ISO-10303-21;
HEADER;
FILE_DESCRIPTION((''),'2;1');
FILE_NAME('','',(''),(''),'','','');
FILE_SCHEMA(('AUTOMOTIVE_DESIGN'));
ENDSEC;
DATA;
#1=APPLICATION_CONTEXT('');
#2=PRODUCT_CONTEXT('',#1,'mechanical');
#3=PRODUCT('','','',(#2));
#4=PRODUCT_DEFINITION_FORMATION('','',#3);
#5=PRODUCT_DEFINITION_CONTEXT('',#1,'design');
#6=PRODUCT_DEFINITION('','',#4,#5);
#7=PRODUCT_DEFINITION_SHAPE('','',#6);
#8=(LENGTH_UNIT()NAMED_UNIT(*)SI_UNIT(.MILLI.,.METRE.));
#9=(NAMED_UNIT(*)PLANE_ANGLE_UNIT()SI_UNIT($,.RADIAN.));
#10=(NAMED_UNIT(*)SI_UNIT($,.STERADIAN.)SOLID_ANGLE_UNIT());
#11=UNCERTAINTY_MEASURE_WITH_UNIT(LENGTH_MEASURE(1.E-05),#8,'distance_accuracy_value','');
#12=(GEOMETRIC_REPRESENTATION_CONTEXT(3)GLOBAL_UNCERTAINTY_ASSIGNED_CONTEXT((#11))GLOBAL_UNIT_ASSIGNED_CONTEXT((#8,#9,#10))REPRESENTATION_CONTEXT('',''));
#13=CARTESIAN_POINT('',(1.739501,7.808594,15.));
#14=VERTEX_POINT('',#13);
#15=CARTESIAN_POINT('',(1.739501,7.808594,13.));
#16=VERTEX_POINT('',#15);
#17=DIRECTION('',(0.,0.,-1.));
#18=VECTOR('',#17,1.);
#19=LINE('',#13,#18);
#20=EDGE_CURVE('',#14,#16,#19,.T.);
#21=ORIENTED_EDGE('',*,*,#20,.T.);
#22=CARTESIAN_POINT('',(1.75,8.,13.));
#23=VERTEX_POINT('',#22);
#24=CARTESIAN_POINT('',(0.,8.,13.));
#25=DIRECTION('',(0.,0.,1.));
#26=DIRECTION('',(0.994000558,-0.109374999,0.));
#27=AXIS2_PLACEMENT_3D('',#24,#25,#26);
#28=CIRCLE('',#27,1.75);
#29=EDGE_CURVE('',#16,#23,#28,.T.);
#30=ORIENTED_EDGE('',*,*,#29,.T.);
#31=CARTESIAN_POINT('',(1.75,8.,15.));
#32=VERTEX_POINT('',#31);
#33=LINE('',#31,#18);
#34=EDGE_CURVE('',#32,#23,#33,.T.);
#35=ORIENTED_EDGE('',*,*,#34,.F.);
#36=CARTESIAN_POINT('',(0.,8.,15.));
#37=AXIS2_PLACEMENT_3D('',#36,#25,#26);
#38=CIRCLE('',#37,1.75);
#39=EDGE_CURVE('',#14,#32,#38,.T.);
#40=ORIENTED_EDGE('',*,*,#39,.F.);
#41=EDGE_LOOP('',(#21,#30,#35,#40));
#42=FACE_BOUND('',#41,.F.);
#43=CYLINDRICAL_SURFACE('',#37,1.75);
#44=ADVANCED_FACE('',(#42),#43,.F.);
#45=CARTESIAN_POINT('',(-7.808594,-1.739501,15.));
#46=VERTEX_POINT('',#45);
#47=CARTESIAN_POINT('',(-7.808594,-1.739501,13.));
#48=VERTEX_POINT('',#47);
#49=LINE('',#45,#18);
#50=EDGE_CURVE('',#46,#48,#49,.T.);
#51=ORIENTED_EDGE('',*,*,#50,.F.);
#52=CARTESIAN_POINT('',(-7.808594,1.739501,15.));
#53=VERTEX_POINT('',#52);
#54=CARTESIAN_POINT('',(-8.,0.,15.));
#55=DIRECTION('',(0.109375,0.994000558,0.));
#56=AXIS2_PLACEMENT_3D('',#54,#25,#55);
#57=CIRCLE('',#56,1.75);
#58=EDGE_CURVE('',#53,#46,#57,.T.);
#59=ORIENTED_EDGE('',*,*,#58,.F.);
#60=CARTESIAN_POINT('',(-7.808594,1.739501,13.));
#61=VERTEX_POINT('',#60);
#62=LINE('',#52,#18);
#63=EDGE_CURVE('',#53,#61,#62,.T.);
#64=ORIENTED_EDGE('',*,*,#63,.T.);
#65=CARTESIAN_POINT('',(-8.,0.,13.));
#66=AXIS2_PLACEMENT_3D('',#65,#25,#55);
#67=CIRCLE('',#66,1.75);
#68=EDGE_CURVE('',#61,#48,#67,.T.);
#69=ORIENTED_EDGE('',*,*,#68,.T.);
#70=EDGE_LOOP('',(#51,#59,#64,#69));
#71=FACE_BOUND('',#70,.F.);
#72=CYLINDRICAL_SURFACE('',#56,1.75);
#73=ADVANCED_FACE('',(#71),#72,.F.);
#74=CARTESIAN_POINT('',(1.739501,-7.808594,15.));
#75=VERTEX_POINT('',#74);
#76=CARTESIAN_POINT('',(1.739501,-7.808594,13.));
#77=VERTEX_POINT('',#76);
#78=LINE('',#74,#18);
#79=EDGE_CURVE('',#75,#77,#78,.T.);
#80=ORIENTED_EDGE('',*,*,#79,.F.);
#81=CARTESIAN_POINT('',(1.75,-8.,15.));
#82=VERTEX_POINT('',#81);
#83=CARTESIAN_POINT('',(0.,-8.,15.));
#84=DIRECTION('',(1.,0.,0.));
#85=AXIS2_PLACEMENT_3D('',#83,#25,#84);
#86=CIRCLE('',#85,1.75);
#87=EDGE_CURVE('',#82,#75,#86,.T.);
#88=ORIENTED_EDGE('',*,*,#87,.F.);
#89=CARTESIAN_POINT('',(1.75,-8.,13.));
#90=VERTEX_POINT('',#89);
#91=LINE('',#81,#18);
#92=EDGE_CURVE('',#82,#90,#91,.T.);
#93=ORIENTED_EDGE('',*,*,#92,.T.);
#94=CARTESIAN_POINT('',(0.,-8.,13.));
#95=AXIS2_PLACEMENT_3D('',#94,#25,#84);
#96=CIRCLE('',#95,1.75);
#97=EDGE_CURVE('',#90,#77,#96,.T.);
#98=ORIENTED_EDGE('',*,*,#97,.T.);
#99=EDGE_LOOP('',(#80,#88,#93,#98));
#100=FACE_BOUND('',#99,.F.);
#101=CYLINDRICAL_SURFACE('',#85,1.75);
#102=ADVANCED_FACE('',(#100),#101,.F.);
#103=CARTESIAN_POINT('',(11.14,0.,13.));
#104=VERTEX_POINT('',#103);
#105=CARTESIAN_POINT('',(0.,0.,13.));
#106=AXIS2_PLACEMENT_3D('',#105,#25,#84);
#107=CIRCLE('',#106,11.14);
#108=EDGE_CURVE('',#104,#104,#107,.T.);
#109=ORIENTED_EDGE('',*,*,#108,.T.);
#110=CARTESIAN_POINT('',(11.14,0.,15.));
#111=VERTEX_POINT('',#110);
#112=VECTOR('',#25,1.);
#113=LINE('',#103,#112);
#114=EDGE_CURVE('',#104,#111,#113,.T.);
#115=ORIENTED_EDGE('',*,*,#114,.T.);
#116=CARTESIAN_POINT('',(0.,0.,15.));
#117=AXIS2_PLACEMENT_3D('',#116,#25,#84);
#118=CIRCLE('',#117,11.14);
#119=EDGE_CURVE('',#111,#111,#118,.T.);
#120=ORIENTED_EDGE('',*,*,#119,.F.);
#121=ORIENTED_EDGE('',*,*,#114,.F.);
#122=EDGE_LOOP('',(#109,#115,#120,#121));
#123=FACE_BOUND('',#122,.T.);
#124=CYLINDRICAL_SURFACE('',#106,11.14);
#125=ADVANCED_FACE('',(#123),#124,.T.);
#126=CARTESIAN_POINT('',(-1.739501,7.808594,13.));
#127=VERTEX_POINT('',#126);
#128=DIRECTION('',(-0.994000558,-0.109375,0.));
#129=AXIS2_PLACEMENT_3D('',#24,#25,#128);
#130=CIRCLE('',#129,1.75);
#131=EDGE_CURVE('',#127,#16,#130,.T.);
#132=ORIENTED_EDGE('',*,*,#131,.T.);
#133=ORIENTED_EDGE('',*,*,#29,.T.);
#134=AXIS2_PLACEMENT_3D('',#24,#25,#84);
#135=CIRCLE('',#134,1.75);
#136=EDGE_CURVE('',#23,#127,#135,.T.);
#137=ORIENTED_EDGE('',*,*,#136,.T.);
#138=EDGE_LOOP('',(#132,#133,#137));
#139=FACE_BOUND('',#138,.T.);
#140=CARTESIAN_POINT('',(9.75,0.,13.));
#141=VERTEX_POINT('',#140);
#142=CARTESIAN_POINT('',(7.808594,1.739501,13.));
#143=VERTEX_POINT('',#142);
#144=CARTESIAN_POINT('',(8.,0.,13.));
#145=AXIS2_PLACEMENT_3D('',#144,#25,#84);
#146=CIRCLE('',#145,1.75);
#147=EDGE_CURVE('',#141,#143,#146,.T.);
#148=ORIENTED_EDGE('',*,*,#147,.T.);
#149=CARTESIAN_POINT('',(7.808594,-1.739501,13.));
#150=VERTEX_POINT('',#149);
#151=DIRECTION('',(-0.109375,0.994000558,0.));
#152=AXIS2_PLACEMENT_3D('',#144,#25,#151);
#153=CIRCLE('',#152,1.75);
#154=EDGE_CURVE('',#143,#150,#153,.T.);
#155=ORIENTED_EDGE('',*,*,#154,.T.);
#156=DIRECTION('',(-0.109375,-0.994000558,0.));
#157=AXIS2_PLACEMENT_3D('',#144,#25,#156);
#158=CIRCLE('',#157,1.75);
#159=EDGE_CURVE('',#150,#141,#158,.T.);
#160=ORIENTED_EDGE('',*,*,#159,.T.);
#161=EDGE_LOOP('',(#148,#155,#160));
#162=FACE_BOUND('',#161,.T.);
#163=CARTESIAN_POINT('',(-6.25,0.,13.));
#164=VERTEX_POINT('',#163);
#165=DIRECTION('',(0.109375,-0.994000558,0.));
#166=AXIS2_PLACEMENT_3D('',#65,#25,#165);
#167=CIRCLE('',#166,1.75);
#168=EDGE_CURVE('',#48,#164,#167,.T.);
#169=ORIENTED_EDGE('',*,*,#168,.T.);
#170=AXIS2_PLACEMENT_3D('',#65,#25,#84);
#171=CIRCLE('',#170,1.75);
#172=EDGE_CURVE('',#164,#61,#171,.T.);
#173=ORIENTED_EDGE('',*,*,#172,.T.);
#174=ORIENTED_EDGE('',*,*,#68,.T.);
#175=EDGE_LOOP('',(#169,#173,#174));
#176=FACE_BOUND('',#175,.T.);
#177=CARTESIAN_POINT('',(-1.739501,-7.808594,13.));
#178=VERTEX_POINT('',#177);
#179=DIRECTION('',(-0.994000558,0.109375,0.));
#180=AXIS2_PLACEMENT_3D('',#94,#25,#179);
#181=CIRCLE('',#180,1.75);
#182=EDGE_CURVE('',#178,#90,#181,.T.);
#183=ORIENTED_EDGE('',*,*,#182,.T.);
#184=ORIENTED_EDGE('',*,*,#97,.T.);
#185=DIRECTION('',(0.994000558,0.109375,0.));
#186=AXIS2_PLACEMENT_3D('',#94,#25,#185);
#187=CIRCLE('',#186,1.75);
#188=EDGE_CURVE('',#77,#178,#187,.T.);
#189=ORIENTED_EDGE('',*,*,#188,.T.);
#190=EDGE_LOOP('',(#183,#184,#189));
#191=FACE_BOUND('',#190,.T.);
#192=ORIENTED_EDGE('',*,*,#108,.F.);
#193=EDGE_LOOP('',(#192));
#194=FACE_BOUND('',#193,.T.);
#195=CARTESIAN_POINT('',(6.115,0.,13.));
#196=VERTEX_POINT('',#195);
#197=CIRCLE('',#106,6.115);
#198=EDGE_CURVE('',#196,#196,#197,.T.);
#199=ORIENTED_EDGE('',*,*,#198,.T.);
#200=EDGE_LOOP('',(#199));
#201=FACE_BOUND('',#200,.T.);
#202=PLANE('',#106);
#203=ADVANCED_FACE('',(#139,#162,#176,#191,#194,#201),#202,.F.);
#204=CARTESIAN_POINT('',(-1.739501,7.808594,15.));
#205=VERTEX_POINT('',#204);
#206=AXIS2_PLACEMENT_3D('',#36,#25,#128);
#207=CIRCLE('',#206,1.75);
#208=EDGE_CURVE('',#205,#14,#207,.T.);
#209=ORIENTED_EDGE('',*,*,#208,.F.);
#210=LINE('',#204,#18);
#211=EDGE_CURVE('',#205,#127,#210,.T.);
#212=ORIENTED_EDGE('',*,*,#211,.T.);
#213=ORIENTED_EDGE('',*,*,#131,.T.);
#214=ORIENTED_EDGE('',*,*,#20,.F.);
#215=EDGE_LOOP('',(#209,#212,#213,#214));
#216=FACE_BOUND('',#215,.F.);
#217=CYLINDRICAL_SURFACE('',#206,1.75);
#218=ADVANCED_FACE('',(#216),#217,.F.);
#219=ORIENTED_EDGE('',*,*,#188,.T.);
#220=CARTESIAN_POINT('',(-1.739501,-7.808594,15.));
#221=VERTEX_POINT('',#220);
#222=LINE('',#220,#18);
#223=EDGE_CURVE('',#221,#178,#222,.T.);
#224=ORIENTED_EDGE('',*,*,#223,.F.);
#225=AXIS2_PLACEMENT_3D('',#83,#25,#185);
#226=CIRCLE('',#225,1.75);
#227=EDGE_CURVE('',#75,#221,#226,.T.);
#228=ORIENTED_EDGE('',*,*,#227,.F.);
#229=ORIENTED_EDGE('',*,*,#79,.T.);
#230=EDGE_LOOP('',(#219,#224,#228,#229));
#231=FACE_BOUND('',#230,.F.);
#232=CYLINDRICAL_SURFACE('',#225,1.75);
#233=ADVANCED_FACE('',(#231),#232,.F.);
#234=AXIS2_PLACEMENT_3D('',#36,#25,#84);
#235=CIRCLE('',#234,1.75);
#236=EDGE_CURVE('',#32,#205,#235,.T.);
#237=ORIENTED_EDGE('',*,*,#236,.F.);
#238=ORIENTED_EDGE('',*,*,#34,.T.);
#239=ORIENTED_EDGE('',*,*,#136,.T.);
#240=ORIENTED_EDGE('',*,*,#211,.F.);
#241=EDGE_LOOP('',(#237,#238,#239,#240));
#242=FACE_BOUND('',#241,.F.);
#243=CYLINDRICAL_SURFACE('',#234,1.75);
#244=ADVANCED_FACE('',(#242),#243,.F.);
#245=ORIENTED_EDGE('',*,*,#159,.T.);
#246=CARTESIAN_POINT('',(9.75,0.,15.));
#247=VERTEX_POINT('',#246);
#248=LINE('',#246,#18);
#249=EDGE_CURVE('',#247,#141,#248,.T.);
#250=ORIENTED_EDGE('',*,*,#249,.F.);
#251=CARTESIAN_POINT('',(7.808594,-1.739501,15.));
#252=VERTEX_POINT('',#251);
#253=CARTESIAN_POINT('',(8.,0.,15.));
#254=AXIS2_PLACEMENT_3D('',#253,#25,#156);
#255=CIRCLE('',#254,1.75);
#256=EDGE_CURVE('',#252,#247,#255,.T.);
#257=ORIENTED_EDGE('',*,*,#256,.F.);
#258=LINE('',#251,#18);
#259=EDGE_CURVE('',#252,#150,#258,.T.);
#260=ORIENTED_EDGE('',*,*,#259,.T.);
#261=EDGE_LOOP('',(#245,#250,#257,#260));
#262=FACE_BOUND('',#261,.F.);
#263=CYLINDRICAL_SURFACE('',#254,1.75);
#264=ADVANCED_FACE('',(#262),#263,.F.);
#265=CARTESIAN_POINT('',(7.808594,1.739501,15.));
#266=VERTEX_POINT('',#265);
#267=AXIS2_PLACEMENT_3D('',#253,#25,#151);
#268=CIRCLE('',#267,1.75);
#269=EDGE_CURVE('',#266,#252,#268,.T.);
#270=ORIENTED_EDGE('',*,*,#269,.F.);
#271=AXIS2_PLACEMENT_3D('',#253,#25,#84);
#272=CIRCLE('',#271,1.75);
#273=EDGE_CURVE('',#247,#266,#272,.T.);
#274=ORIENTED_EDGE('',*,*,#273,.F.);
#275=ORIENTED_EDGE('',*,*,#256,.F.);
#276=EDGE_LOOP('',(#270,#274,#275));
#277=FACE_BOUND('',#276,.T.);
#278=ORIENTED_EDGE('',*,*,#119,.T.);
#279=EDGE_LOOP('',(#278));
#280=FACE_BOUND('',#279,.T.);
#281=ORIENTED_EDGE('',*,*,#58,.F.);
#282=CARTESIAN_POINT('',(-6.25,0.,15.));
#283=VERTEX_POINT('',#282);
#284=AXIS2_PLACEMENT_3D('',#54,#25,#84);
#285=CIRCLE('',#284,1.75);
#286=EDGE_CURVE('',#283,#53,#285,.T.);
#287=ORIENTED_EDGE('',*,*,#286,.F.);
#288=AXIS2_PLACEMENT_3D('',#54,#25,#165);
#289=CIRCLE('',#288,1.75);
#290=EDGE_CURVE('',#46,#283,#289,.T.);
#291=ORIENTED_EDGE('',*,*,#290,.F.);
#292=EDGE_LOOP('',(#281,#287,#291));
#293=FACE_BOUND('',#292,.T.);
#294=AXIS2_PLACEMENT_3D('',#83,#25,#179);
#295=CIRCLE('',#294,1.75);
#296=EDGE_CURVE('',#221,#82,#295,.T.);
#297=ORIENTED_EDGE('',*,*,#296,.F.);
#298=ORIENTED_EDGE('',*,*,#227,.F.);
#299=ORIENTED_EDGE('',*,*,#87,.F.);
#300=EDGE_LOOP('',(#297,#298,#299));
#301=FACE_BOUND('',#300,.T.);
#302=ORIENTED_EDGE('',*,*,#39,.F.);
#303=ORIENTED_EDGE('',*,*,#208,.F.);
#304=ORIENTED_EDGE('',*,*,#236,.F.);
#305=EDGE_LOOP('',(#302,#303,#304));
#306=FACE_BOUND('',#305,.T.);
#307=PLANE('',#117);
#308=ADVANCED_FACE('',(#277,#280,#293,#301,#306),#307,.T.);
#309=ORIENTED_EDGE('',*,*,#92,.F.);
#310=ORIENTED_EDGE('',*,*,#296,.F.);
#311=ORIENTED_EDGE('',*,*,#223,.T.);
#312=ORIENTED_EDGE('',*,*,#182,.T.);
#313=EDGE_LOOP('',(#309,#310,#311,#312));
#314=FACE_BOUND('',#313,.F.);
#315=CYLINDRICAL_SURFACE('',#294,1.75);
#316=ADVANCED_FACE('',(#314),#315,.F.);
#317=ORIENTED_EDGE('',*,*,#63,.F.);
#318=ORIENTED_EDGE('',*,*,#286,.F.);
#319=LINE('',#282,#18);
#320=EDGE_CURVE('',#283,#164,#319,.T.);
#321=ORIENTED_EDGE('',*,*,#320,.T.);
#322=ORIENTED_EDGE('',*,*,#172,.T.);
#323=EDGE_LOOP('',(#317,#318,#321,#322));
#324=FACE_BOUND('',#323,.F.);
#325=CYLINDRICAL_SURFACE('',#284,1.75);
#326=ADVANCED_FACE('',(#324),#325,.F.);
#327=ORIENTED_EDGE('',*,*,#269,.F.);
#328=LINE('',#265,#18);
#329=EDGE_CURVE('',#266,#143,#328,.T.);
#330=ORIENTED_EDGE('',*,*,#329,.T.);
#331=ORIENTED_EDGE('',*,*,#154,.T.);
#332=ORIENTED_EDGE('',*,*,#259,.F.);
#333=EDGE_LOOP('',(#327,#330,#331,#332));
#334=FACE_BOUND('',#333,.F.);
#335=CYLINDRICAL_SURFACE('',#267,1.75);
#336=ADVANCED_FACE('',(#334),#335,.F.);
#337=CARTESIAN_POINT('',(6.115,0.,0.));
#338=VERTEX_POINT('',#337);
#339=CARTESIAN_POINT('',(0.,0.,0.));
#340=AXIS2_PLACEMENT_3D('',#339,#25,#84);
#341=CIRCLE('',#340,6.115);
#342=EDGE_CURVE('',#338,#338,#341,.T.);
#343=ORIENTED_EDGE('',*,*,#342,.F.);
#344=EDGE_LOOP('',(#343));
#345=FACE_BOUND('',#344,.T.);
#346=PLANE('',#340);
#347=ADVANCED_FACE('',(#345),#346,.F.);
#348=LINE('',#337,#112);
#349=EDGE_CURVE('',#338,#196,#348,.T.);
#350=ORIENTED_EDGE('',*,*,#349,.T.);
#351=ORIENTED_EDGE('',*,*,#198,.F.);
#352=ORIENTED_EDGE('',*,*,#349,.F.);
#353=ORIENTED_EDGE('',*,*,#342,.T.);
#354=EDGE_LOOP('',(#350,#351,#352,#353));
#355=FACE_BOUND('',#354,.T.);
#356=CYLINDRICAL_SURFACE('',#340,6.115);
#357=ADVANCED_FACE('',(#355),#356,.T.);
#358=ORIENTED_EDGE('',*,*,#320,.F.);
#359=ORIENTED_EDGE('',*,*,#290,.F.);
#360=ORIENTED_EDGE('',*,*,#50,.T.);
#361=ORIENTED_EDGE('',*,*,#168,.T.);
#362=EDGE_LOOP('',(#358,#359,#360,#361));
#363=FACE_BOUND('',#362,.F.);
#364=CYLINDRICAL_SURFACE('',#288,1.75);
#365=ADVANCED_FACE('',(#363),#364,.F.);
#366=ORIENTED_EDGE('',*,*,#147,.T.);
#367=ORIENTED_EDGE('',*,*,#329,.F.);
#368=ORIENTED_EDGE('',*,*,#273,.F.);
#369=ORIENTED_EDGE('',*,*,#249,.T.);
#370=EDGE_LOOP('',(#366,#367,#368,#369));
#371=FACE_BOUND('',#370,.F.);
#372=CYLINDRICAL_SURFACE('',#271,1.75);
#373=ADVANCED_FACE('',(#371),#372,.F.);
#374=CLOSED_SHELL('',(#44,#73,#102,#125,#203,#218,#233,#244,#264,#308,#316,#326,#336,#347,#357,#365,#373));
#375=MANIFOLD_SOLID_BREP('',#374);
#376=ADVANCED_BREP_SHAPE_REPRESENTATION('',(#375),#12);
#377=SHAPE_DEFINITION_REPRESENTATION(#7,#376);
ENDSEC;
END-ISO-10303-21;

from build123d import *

# Parameters (mm, degrees)
F3_DEPTH = 5


with BuildPart() as f1:
    # F0 (on Front) → F1 (revolve)
    with BuildSketch(Plane.XZ):
        Polygon((0, 15), (0, 0), (6.115, 0), (6.115, 13), (11.14, 13), (11.14, 15), align=None)
    revolve(axis=Axis((0, 0, 7.5), (0, 0, 1)))

    # F2 (on face) → F3 (cut)
    with BuildSketch(Plane.XY.offset(15)):
        with BuildLine():
            ThreePointArc((1.7395009766, 7.80859375), (0, 8), (-1.7395009766, 7.80859375))
            ThreePointArc((-1.7395009766, 7.80859375), (0, 6.25), (1.7395009766, 7.80859375))
        make_face()
        with BuildLine():
            ThreePointArc((1.7395009766, 7.80859375), (1.7473732728, 7.9041530099), (1.75, 8))
            ThreePointArc((1.75, 8), (-0.0958469901, 9.7473732728), (-1.7395009766, 7.80859375))
            ThreePointArc((-1.7395009766, 7.80859375), (0, 8), (1.7395009766, 7.80859375))
        make_face()
        with BuildLine():
            ThreePointArc((-7.80859375, -1.7395009766), (-8, 0), (-7.80859375, 1.7395009766))
            ThreePointArc((-7.80859375, 1.7395009766), (-9.75, 0), (-7.80859375, -1.7395009766))
        make_face()
        with BuildLine():
            ThreePointArc((-6.25, 0), (-6.6966464529, 1.1678054338), (-7.80859375, 1.7395009766))
            ThreePointArc((-7.80859375, 1.7395009766), (-8, 0), (-7.80859375, -1.7395009766))
            ThreePointArc((-7.80859375, -1.7395009766), (-6.6966464529, -1.1678054338), (-6.25, 0))
        make_face()
        with BuildLine():
            ThreePointArc((1.7395009766, -7.80859375), (0, -6.25), (-1.7395009766, -7.80859375))
            ThreePointArc((-1.7395009766, -7.80859375), (0, -8), (1.7395009766, -7.80859375))
        make_face()
        with BuildLine():
            ThreePointArc((1.7395009766, -7.80859375), (0, -8), (-1.7395009766, -7.80859375))
            ThreePointArc((-1.7395009766, -7.80859375), (-0.0958469901, -9.7473732728), (1.75, -8))
            ThreePointArc((1.75, -8), (1.7473732728, -7.9041530099), (1.7395009766, -7.80859375))
        make_face()
        with BuildLine():
            ThreePointArc((9.75, 0), (9.1678054338, 1.3033535471), (7.80859375, 1.7395009766))
            ThreePointArc((7.80859375, 1.7395009766), (7.9520044643, 0.875), (8, 0))
            ThreePointArc((8, 0), (7.9520044643, -0.875), (7.80859375, -1.7395009766))
            ThreePointArc((7.80859375, -1.7395009766), (9.1678054338, -1.3033535471), (9.75, 0))
        make_face()
        with BuildLine():
            ThreePointArc((8, 0), (7.9520044643, 0.875), (7.80859375, 1.7395009766))
            ThreePointArc((7.80859375, 1.7395009766), (6.25, 0), (7.80859375, -1.7395009766))
            ThreePointArc((7.80859375, -1.7395009766), (7.9520044643, -0.875), (8, 0))
        make_face()
    extrude(amount=-F3_DEPTH, mode=Mode.SUBTRACT)


solid = f1.part
